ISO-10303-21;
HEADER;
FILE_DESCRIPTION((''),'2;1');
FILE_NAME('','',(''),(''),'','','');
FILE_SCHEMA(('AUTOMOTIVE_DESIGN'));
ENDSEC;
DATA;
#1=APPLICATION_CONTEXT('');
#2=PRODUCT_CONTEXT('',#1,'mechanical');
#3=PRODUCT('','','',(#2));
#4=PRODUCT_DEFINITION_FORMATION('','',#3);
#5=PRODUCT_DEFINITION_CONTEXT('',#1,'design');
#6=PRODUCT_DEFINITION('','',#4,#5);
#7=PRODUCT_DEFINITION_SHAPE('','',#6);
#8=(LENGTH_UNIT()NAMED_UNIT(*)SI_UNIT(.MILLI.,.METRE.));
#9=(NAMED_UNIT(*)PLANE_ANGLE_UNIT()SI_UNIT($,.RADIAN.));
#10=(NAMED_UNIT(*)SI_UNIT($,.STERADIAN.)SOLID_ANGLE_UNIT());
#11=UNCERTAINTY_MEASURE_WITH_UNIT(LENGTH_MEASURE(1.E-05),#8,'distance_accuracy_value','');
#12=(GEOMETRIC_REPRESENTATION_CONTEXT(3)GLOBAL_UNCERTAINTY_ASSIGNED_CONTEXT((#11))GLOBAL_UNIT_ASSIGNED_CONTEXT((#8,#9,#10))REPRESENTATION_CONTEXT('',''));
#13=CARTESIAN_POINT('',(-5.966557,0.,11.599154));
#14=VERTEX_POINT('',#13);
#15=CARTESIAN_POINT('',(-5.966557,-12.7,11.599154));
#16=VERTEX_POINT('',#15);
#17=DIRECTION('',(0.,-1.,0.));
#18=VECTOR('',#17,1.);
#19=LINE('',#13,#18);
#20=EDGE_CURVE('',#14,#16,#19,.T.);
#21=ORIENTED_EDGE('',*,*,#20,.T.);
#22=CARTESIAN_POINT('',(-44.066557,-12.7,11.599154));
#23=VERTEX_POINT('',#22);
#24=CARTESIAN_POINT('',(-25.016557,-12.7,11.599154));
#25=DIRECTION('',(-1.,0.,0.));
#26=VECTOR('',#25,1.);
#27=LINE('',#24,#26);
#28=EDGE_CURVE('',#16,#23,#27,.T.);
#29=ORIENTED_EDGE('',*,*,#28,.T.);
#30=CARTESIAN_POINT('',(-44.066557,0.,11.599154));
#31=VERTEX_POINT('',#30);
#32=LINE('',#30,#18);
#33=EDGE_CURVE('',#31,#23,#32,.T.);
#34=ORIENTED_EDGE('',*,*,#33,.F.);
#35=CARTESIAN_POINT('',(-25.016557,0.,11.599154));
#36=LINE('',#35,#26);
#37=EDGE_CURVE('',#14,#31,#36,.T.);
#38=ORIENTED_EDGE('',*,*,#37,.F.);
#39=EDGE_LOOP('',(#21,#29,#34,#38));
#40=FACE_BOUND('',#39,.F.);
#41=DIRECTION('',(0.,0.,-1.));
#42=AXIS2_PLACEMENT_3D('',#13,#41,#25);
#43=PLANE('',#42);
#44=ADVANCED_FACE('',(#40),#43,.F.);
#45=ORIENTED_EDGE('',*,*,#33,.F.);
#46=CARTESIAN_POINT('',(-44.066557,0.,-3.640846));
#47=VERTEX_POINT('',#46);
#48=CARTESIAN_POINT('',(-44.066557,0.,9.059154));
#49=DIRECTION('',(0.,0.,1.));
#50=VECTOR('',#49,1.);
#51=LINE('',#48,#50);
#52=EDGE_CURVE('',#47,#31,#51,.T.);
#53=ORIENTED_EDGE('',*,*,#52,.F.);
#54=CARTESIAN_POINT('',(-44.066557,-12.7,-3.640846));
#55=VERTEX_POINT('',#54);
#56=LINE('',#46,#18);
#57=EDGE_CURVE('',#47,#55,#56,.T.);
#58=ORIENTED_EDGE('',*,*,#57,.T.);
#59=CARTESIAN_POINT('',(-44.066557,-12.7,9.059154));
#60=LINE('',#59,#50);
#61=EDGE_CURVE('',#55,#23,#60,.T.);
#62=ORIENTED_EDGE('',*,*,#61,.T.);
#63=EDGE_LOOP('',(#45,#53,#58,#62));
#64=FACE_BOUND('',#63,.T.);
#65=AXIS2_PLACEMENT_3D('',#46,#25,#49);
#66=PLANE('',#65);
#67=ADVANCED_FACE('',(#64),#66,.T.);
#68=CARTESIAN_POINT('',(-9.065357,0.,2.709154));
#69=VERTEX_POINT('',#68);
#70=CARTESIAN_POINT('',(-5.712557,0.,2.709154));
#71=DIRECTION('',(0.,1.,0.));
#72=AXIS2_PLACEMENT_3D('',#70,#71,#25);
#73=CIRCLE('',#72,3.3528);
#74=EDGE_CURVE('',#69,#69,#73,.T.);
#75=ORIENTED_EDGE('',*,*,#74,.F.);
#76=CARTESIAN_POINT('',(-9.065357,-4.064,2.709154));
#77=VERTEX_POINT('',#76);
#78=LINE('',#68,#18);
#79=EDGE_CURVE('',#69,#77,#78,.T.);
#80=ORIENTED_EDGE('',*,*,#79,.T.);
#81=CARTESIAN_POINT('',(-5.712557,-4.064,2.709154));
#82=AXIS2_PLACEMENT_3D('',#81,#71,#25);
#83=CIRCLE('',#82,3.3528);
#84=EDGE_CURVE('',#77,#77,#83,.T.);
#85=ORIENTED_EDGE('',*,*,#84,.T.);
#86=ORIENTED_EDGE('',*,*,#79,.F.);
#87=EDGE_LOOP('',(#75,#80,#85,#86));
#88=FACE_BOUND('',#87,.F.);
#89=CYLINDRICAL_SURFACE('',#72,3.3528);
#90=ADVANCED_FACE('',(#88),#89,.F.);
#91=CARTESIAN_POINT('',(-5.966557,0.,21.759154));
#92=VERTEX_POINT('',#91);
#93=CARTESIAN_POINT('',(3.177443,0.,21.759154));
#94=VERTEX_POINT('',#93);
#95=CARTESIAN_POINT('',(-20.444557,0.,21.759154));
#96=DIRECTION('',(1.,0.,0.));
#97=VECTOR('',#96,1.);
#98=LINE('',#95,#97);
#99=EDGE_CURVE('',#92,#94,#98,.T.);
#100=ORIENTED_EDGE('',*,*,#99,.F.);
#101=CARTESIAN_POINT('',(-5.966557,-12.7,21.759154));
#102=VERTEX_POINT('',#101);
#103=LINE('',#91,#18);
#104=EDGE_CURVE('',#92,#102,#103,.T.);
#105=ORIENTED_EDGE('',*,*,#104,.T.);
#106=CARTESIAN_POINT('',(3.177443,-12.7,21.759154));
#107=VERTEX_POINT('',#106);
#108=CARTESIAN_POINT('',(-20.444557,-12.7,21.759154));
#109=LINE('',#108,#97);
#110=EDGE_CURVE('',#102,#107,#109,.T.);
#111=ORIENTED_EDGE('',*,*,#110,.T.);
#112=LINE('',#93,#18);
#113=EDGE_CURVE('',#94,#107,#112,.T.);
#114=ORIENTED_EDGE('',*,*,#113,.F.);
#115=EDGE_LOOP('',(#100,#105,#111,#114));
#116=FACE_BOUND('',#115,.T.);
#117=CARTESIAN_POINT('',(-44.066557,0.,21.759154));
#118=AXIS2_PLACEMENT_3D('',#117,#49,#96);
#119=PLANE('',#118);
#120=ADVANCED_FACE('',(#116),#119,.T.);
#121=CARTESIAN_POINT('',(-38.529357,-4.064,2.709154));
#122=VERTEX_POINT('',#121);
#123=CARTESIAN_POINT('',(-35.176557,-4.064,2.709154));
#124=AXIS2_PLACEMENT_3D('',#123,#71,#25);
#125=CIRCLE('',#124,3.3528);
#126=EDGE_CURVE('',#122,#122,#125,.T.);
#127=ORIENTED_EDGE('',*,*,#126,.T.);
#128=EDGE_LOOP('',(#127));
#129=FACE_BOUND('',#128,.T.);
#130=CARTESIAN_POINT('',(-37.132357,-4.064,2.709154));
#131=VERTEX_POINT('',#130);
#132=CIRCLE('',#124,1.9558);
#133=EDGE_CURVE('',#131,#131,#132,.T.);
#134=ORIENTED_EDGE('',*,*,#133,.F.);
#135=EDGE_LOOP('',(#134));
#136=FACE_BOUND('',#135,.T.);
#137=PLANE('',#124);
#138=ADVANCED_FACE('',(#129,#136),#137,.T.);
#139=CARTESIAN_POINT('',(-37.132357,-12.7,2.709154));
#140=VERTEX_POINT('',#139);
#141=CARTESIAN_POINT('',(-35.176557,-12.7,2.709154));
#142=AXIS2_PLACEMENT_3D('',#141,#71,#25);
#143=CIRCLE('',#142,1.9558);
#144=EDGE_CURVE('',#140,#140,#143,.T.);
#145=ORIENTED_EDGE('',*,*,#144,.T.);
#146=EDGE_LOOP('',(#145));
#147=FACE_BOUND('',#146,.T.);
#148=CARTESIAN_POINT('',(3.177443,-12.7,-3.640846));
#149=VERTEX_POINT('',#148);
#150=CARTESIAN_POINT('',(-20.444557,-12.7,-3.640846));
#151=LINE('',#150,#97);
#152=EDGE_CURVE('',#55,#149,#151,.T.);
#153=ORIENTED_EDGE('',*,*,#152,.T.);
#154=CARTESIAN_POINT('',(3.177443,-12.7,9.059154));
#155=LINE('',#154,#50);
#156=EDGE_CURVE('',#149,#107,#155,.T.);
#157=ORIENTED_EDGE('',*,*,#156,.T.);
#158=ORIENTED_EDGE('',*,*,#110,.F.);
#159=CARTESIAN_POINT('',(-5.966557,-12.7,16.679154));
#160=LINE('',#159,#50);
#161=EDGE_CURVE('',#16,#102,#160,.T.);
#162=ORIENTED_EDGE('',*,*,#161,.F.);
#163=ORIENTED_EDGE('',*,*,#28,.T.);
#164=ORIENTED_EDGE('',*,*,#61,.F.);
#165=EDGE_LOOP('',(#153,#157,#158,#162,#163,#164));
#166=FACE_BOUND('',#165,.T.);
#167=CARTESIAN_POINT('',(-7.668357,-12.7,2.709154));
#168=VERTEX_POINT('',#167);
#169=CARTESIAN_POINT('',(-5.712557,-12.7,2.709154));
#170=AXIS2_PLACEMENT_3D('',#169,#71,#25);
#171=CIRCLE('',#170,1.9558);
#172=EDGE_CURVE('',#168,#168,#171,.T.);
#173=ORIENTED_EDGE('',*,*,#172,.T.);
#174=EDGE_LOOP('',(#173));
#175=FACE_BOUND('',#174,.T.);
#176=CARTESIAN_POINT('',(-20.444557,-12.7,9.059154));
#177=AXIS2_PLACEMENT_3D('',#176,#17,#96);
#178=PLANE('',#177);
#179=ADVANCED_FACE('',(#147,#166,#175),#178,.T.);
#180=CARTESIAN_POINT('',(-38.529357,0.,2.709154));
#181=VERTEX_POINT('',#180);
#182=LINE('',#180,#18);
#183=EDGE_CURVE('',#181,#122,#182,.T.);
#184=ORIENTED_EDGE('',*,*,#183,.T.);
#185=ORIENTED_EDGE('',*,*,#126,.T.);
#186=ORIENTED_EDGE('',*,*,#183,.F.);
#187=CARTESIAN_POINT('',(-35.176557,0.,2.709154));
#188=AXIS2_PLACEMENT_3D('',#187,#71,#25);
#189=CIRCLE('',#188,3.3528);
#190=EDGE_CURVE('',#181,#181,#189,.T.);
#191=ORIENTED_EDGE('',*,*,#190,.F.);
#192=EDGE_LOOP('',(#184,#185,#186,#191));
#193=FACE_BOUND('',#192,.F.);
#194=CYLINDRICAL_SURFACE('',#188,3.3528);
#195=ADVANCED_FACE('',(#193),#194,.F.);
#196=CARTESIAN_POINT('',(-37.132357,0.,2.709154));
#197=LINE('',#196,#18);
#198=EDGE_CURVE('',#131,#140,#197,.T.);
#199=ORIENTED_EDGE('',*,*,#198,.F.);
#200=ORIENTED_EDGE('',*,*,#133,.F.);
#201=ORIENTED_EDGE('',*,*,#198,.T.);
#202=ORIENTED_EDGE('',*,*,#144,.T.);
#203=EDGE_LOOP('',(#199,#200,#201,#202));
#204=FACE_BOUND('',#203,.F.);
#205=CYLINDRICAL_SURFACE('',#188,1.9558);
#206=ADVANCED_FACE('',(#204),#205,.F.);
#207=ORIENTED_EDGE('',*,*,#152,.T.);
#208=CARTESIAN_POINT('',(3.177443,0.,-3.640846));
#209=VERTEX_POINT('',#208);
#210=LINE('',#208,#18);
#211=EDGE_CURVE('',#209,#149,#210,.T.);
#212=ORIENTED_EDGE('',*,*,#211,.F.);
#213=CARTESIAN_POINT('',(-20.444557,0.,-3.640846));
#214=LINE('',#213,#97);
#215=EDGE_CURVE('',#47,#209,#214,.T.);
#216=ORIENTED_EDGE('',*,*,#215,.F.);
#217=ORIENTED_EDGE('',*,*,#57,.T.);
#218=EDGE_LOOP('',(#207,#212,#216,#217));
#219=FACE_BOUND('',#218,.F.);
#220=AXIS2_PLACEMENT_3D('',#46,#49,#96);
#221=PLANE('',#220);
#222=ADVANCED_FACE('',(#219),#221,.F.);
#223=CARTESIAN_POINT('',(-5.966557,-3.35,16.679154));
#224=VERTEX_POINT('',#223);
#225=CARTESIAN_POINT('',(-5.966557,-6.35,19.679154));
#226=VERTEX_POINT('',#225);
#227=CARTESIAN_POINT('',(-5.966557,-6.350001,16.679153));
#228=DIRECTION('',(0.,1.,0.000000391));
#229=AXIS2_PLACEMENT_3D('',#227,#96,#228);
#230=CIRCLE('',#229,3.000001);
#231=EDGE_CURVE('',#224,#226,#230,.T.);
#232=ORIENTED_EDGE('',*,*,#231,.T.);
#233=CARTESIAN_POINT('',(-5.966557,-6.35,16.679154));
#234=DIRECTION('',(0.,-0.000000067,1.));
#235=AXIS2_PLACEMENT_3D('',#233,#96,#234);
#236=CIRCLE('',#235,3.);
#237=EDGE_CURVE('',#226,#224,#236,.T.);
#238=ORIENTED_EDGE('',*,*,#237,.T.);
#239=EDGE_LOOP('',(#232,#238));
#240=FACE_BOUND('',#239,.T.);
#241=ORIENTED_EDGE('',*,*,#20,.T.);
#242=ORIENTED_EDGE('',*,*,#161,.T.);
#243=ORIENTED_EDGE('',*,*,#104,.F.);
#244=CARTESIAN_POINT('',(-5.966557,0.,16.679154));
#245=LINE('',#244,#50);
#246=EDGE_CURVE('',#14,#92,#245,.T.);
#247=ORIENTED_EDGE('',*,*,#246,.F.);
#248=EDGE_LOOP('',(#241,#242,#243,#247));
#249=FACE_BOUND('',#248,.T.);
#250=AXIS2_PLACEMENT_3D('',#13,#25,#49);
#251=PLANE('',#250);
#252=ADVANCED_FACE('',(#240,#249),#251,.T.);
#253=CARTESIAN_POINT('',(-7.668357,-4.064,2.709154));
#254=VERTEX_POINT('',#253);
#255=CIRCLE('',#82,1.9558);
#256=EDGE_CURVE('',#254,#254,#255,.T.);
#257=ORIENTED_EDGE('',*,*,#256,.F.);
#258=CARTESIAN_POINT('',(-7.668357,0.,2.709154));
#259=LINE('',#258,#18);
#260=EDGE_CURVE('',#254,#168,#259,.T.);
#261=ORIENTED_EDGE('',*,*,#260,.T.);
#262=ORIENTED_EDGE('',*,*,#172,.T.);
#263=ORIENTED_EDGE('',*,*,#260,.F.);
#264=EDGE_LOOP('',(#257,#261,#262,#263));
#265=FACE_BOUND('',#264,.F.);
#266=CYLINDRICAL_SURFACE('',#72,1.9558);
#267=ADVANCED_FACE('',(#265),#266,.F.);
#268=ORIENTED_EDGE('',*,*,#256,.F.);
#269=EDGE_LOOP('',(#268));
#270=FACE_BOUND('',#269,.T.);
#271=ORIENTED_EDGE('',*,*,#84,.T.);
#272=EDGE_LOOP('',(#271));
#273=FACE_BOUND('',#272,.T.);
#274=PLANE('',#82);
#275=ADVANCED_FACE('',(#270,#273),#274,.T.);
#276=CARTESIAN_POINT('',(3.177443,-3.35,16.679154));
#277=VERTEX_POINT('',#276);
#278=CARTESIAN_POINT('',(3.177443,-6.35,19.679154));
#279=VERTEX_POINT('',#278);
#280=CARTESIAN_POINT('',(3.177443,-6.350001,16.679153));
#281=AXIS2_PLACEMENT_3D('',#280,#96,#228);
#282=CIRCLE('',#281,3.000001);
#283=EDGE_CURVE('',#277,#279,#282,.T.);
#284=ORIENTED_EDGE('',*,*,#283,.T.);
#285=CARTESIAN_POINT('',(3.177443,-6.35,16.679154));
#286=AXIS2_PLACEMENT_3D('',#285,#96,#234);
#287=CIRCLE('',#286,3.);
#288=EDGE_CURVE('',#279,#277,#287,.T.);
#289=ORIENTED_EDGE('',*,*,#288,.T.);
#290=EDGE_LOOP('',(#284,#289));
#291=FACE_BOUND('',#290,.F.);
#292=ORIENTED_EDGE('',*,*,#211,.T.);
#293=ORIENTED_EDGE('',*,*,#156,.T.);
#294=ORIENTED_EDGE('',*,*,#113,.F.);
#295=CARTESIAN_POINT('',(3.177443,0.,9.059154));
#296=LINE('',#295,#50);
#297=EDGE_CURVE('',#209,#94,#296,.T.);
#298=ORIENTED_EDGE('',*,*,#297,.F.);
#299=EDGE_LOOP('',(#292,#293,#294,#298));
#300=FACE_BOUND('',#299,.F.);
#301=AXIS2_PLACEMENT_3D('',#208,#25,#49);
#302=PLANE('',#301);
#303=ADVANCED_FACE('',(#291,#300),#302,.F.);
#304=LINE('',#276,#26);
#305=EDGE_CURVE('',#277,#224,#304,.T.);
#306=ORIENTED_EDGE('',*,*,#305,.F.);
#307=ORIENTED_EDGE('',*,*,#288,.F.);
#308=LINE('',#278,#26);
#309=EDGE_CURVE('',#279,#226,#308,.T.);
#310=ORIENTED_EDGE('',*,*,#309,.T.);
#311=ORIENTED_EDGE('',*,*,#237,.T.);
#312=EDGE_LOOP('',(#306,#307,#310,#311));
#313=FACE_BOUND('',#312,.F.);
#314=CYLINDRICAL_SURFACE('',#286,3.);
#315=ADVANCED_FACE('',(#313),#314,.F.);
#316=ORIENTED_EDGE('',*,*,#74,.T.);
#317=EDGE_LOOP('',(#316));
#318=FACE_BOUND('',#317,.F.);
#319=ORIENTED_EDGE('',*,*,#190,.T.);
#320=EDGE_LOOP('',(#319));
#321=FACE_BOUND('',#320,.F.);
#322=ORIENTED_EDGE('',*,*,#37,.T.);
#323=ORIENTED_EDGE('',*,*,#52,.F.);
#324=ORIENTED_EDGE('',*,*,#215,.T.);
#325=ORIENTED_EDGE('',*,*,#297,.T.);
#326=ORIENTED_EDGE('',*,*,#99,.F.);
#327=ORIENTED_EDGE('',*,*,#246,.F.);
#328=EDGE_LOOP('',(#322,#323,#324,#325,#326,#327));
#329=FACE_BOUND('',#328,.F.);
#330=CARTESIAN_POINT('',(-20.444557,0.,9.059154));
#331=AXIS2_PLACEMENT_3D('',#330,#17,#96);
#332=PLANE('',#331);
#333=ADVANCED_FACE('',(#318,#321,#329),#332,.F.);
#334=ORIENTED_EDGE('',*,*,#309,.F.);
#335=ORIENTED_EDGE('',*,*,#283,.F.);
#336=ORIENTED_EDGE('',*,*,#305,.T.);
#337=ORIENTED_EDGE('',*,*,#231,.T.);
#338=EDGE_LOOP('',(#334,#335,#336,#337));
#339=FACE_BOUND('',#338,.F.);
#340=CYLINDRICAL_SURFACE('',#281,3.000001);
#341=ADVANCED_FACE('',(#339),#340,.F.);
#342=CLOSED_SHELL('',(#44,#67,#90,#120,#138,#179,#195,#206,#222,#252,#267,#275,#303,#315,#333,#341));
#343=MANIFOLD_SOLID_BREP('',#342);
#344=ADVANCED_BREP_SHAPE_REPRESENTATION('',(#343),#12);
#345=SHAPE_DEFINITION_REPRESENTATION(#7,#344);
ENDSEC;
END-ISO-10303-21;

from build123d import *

# Parameters (mm, degrees)
F0_W     = 47.244
F0_H     = 25.4
F1_DEPTH = 12.7
F2_R     = 1.9558
F3_DEPTH = 12.7
F4_R     = 3.3528
F5_DEPTH = 4.064
F7_DEPTH = 25.4
F8_W     = 38.1
F8_H     = 10.16
F9_DEPTH = 12.7


with BuildPart() as f1:
    # F0 (on Front) → F1 (new body)
    with BuildSketch(Plane.XZ):
        with Locations((-20.444557, 9.059154)):
            Rectangle(F0_W, F0_H)
    extrude(amount=F1_DEPTH)

    # F2 (on face) → F3 (cut, through all)
    with BuildSketch(Plane(origin=(0, 0, 0), x_dir=(-1, 0, 0), z_dir=(0, 1, 0))):
        with Locations((5.712557, 2.709154)):
            Circle(F2_R)
        with Locations((35.176557, 2.709154)):
            Circle(F2_R)
    extrude(amount=-F3_DEPTH, mode=Mode.SUBTRACT)

    # F4 (on face) → F5 (cut)
    with BuildSketch(Plane(origin=(0, 0, 0), x_dir=(-1, 0, 0), z_dir=(0, 1, 0))):
        with Locations((5.712557, 2.709154)):
            Circle(F4_R)
        with Locations((35.176557, 2.709154)):
            Circle(F4_R)
    extrude(amount=-F5_DEPTH, mode=Mode.SUBTRACT)

    # F6 (on face) → F7 (cut)
    with BuildSketch(Plane.YZ.offset(3.177443)):
        with BuildLine():
            ThreePointArc((-6.35, 19.679154), (-8.47132, 14.557834), (-3.35, 16.679154))
            ThreePointArc((-3.35, 16.679154), (-4.22868, 18.800474), (-6.35, 19.679154))
        make_face()
    extrude(amount=-F7_DEPTH, mode=Mode.SUBTRACT)

    # F8 (on face) → F9 (cut, through all)
    with BuildSketch(Plane(origin=(0, 0, 0), x_dir=(-1, 0, 0), z_dir=(0, 1, 0))):
        with Locations((25.016557, 16.679154)):
            Rectangle(F8_W, F8_H)
    extrude(amount=-F9_DEPTH, mode=Mode.SUBTRACT)


solid = f1.part
